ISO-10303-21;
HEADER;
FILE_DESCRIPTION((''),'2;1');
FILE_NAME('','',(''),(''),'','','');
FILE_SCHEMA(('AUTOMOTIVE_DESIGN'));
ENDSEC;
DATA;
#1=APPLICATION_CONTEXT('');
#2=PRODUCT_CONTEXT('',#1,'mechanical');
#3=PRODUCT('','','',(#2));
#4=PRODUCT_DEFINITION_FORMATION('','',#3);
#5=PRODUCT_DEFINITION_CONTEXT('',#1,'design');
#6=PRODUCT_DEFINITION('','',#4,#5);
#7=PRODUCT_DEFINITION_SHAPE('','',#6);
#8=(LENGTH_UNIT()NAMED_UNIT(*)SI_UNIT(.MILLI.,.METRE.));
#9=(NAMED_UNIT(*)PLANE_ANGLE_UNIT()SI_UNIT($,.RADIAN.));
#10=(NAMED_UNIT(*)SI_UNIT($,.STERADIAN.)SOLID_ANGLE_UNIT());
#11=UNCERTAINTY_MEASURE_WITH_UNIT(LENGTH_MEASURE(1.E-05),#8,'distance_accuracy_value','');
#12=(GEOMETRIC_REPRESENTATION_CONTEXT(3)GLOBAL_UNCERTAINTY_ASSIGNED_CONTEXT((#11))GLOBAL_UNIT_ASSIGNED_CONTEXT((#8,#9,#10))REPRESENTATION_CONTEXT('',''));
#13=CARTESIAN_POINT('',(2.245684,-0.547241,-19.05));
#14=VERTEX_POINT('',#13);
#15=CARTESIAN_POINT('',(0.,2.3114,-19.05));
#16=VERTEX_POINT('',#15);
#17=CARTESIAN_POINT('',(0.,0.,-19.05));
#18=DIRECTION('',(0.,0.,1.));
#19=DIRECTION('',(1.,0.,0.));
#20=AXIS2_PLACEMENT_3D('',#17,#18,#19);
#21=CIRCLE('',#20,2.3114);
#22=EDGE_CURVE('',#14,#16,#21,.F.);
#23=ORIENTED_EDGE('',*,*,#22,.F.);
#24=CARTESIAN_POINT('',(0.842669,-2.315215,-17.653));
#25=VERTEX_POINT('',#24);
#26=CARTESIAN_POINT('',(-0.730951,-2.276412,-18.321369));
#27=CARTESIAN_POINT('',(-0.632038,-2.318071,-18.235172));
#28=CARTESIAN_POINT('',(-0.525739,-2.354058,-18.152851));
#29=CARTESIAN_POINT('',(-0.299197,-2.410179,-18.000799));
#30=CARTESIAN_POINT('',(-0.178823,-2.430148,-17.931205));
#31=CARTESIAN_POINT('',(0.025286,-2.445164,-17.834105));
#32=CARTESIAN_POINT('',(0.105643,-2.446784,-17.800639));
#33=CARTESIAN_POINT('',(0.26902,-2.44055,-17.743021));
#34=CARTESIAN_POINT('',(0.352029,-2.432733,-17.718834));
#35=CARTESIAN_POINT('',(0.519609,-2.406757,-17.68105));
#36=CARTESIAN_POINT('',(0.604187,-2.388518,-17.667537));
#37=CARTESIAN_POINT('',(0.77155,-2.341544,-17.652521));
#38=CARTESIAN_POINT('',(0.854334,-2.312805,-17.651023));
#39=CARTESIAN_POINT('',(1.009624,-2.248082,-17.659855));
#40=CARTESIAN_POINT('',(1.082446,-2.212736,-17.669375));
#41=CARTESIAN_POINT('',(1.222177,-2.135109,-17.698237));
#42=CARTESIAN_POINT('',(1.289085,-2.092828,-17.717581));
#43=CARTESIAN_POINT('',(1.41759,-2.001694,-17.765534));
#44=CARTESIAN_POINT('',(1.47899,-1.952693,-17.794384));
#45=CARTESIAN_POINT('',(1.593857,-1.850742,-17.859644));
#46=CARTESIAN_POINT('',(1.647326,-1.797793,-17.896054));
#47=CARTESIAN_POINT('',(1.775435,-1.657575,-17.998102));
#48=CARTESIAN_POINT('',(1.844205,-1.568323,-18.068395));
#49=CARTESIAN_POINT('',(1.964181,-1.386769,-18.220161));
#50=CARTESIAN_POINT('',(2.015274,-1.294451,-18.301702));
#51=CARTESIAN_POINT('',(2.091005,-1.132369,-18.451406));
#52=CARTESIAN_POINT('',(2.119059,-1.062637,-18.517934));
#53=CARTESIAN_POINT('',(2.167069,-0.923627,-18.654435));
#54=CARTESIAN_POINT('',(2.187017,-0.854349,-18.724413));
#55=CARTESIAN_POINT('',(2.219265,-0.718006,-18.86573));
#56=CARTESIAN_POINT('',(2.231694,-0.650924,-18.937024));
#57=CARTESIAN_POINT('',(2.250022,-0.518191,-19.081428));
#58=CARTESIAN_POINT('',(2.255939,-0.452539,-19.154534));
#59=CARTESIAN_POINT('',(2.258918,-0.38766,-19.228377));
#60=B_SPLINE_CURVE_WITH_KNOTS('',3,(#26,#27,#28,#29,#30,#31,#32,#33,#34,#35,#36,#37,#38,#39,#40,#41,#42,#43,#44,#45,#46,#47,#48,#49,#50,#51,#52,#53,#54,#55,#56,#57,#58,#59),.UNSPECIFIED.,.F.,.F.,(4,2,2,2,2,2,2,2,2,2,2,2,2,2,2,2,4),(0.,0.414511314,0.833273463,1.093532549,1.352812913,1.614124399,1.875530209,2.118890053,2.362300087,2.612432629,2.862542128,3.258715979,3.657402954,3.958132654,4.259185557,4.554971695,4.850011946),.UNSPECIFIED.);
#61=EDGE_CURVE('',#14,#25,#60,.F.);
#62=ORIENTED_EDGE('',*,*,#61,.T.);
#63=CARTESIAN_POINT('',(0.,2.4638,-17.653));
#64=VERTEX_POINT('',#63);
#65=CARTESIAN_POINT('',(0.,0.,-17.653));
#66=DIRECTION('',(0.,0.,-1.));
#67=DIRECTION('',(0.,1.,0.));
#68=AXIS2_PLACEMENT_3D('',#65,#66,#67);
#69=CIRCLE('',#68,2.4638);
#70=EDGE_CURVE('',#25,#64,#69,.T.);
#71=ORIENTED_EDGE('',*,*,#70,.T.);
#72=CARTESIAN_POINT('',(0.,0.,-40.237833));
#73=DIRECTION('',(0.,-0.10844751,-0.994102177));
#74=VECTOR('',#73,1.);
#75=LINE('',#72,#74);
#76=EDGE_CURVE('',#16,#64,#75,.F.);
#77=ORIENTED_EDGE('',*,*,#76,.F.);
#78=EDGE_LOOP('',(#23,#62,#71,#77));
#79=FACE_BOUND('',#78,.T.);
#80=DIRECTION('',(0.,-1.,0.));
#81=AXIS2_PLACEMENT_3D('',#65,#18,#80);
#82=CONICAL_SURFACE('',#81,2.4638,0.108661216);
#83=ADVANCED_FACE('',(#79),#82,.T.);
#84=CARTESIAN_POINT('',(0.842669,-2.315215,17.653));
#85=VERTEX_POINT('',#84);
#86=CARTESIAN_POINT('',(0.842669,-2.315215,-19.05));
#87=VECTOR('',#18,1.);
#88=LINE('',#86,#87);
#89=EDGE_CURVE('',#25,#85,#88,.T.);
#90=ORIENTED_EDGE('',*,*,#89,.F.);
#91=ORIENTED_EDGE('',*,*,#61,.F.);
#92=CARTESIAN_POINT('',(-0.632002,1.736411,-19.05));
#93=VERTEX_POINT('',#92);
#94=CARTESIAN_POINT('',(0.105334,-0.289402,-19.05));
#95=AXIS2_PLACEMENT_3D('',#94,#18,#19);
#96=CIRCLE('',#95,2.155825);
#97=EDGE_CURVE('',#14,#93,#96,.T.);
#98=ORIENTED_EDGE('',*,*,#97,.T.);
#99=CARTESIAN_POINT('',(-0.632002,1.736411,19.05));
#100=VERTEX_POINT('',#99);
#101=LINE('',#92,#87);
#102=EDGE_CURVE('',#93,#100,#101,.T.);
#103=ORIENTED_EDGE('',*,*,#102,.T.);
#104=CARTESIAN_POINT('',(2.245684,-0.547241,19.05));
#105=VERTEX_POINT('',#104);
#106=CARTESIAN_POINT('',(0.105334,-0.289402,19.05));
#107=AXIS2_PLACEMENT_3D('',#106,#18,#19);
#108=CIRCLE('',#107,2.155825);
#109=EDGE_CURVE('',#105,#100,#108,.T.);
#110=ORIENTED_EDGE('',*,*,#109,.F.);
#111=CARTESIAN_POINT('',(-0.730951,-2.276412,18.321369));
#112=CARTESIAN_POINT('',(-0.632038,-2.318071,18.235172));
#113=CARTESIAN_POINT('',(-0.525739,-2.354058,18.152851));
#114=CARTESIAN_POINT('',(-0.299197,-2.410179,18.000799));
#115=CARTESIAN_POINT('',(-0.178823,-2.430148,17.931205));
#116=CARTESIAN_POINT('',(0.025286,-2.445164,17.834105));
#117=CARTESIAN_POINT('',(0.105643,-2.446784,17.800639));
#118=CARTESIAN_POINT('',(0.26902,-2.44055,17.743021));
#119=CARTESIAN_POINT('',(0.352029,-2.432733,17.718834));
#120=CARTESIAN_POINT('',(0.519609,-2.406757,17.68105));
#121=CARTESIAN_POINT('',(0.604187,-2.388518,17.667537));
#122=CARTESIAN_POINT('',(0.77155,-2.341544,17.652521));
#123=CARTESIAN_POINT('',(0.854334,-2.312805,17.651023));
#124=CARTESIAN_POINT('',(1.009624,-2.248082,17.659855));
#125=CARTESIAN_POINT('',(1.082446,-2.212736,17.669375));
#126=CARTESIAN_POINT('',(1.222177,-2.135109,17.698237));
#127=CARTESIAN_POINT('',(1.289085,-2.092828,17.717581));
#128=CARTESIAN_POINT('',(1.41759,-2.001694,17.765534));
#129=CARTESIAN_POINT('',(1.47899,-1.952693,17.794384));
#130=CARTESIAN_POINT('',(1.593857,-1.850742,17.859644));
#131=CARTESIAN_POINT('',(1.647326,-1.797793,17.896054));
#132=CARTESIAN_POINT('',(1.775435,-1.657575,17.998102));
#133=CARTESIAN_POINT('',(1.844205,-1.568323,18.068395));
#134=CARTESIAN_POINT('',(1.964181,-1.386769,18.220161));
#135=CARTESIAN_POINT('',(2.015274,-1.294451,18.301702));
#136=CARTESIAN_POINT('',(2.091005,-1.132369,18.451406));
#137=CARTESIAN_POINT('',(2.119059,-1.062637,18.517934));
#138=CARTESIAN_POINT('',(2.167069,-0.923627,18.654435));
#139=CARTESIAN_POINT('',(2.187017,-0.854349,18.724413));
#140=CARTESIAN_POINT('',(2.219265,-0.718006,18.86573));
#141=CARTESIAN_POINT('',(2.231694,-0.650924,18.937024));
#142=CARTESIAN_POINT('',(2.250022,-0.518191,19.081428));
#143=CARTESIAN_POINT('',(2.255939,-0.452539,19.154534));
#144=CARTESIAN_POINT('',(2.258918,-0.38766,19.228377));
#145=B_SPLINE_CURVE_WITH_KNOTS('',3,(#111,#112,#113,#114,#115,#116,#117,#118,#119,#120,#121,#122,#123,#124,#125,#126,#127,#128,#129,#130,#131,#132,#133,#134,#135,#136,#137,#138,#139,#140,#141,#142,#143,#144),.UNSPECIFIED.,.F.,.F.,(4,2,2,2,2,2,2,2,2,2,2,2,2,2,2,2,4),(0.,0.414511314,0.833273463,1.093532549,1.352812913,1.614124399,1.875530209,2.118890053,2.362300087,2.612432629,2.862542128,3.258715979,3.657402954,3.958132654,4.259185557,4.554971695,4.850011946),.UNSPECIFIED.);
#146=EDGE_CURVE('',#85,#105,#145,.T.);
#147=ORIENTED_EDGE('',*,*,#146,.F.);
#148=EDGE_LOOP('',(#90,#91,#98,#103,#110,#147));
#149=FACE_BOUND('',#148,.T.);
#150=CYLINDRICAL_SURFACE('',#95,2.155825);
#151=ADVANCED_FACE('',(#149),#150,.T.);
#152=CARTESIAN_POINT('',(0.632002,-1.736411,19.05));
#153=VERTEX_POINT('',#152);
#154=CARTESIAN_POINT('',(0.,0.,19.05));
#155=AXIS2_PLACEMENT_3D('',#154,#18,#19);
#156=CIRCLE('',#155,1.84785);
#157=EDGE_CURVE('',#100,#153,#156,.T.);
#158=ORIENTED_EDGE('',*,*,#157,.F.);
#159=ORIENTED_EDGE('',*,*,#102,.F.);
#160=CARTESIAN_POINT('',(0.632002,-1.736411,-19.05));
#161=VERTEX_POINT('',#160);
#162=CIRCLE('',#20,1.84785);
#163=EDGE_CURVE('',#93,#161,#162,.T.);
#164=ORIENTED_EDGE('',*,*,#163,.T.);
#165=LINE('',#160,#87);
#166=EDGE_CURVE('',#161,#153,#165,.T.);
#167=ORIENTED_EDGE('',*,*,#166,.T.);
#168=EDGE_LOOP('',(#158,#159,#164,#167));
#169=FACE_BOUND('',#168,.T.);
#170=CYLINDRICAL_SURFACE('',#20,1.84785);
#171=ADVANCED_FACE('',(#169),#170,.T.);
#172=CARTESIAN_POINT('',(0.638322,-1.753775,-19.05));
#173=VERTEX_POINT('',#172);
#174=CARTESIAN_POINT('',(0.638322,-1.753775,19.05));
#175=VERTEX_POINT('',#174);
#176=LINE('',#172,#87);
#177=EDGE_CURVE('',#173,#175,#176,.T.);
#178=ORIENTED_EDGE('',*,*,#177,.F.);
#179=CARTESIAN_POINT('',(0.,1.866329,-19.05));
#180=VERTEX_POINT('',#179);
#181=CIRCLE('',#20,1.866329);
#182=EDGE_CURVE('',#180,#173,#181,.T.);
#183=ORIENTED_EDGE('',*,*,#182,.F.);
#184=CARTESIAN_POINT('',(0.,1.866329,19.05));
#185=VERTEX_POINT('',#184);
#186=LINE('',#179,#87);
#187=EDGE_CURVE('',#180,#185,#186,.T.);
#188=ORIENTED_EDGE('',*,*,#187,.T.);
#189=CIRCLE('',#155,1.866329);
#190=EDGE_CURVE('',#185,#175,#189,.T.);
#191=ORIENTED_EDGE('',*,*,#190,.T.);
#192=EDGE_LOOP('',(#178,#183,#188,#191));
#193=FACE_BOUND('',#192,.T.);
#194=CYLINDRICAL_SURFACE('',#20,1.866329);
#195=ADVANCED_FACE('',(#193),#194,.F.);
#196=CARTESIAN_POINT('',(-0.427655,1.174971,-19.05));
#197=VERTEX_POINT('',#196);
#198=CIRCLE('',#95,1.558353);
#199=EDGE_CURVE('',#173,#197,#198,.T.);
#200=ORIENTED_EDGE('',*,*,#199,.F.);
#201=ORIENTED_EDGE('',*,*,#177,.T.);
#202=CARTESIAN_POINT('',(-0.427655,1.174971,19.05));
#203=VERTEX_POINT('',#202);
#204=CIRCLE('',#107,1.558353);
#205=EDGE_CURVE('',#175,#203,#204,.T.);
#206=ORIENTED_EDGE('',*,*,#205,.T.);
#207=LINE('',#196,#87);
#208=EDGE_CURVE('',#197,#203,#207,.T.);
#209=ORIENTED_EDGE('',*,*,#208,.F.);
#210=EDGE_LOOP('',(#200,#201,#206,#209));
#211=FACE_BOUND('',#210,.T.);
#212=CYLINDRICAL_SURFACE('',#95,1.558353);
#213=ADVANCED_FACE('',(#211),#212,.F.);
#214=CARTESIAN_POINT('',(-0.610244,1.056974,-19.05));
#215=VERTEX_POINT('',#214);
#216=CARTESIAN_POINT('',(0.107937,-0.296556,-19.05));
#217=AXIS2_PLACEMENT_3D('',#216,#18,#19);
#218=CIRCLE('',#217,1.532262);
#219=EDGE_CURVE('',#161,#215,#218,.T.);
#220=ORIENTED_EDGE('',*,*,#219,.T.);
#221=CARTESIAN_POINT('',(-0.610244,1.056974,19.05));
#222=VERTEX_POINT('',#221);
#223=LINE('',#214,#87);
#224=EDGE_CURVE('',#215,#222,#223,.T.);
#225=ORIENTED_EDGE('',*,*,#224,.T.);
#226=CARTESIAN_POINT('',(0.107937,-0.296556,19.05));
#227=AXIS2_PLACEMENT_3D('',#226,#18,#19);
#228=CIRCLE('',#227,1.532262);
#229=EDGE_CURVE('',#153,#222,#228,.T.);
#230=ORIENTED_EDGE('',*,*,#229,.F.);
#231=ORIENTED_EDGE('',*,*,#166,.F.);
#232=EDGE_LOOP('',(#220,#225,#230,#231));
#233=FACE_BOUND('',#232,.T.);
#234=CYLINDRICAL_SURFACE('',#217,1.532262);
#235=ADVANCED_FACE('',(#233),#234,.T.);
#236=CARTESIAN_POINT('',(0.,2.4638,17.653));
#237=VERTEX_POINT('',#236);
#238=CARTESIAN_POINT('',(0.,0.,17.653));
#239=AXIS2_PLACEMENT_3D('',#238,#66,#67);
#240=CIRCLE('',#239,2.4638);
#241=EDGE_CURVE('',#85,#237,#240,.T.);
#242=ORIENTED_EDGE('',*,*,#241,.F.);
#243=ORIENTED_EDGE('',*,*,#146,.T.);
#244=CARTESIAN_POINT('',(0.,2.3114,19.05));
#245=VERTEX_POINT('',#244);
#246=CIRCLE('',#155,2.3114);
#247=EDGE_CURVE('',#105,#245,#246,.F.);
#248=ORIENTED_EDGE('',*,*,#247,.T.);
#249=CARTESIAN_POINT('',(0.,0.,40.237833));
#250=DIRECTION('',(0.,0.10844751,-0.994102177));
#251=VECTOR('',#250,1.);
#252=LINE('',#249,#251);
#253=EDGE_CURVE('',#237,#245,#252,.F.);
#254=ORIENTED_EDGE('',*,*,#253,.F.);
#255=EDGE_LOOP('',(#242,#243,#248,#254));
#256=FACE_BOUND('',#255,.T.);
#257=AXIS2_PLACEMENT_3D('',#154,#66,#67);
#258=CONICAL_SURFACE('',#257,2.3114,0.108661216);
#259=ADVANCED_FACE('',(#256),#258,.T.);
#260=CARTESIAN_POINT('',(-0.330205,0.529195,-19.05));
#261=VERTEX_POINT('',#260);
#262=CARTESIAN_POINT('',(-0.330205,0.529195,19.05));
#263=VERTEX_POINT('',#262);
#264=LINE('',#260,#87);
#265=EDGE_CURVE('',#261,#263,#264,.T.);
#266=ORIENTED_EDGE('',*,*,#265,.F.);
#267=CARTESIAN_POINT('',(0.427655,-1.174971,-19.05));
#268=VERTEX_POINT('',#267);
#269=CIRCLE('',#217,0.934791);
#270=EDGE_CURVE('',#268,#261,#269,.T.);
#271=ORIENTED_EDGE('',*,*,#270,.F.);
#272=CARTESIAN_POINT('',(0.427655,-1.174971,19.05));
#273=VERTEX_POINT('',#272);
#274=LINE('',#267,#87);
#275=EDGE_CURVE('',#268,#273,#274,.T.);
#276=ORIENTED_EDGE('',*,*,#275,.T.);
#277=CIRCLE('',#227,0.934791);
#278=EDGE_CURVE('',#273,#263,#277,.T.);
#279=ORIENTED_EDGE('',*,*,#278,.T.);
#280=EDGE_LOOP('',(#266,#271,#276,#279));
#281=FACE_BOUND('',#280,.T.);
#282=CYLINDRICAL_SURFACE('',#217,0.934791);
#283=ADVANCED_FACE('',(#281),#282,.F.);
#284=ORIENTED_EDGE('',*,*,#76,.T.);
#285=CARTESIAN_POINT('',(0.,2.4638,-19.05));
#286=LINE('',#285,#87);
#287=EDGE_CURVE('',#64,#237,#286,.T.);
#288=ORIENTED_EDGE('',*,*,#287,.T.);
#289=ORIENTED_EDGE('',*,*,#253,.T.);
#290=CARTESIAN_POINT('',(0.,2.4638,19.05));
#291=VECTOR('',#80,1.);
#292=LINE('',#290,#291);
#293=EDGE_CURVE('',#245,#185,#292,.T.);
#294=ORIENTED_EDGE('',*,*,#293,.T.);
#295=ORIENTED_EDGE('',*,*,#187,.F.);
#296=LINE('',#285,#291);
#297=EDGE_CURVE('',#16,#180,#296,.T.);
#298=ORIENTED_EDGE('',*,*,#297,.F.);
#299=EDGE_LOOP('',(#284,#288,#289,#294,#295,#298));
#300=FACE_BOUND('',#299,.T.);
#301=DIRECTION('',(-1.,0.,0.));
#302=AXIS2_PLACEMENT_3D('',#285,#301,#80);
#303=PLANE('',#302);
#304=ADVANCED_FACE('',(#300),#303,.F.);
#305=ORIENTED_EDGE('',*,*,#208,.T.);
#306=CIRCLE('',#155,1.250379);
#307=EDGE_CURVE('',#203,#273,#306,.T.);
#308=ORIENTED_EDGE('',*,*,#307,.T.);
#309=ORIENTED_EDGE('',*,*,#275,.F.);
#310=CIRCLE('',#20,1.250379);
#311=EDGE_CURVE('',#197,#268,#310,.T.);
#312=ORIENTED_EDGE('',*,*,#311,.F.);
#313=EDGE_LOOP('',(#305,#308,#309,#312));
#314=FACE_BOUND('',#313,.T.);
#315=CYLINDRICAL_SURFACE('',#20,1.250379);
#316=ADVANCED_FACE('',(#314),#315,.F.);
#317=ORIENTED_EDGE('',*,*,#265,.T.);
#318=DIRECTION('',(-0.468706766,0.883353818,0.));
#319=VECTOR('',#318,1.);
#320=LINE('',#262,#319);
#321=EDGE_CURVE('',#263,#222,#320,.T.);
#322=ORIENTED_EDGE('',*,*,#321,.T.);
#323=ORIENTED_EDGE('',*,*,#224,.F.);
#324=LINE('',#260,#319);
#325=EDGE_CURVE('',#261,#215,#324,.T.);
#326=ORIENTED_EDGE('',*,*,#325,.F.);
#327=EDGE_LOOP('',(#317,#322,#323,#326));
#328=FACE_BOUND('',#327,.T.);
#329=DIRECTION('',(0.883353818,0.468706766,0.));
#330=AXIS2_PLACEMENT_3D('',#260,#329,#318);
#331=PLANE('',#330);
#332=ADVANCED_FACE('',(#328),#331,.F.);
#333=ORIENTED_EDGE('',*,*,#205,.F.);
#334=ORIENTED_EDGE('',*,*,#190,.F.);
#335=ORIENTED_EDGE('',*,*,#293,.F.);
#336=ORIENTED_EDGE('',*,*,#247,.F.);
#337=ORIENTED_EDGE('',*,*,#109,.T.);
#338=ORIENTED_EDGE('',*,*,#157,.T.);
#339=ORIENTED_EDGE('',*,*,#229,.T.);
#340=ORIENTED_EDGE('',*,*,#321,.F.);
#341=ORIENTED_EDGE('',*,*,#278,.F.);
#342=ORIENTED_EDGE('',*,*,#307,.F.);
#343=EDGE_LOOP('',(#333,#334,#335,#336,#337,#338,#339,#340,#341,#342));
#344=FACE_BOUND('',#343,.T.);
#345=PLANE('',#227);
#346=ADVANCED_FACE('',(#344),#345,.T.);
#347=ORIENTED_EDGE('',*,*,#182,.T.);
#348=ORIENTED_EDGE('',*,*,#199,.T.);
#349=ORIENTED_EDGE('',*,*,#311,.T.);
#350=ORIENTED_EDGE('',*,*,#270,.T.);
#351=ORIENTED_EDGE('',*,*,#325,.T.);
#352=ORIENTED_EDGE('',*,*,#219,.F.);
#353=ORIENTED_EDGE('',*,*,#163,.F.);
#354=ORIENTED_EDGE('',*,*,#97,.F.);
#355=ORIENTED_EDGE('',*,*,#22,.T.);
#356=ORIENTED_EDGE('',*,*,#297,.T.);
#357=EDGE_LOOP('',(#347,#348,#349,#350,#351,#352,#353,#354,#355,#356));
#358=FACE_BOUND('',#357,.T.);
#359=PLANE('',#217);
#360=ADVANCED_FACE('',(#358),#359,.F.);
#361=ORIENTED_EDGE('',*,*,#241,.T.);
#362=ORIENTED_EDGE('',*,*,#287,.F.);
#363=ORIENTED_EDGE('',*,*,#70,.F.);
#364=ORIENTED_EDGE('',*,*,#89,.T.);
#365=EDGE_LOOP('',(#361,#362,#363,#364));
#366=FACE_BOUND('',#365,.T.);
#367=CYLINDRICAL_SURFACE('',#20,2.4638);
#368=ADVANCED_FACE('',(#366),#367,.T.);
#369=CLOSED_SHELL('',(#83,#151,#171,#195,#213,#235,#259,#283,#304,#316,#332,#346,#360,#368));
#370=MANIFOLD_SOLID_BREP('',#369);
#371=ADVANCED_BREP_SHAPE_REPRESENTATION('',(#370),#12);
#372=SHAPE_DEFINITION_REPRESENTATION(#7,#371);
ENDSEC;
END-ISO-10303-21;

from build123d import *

# Parameters (mm, degrees)
EXTRUDE_THIN1_DEPTH = 19.05


with BuildPart() as part:
    # Sketch2 → Extrude-Thin1 (new, symmetric)
    with BuildSketch(Plane.XY):
        with BuildLine():
            ThreePointArc((0, 2.4638), (-2.426369342, -0.42783438), (0.842669229, -2.315214679))
            ThreePointArc((0.842669229, -2.315214679), (2.131146498, 0.447933741), (-0.632001922, 1.736411009))
            ThreePointArc((-0.632001922, 1.736411009), (-1.736411009, -0.632001922), (0.632001922, -1.736411009))
            ThreePointArc((0.632001922, -1.736411009), (1.507998215, 0.326065347), (-0.610244185, 1.056973933))
            Line((-0.610244185, 1.056973933), (-0.33020525, 0.529195203))
            ThreePointArc((-0.33020525, 0.529195203), (0.962075668, 0.083288153), (0.427654634, -1.17497145))
            ThreePointArc((0.427654634, -1.17497145), (-1.17497145, -0.427654634), (-0.427654634, 1.17497145))
            ThreePointArc((-0.427654634, 1.17497145), (1.569706938, 0.243586453), (0.638321941, -1.753775119))
            ThreePointArc((0.638321941, -1.753775119), (-1.837974776, -0.324084543), (0, 1.8663285))
            Line((0, 1.8663285), (0, 2.4638))
        make_face()
    extrude(amount=EXTRUDE_THIN1_DEPTH, both=True)

    # Sketch3 → Cut-Revolve1 (revolve, cut)
    with BuildSketch(Plane(origin=(0, 0, 0), x_dir=(0, 0, -1), z_dir=(1, 0, 0))):
        Polygon((-19.05, 2.4638), (-19.05, 2.3114), (-17.653, 2.4638), align=None)
        Polygon((17.653, 2.4638), (19.05, 2.4638), (19.05, 2.3114), align=None)
    revolve(axis=Axis((0, 0, 0), (0, 0, 1)), mode=Mode.SUBTRACT)


solid = part.part
